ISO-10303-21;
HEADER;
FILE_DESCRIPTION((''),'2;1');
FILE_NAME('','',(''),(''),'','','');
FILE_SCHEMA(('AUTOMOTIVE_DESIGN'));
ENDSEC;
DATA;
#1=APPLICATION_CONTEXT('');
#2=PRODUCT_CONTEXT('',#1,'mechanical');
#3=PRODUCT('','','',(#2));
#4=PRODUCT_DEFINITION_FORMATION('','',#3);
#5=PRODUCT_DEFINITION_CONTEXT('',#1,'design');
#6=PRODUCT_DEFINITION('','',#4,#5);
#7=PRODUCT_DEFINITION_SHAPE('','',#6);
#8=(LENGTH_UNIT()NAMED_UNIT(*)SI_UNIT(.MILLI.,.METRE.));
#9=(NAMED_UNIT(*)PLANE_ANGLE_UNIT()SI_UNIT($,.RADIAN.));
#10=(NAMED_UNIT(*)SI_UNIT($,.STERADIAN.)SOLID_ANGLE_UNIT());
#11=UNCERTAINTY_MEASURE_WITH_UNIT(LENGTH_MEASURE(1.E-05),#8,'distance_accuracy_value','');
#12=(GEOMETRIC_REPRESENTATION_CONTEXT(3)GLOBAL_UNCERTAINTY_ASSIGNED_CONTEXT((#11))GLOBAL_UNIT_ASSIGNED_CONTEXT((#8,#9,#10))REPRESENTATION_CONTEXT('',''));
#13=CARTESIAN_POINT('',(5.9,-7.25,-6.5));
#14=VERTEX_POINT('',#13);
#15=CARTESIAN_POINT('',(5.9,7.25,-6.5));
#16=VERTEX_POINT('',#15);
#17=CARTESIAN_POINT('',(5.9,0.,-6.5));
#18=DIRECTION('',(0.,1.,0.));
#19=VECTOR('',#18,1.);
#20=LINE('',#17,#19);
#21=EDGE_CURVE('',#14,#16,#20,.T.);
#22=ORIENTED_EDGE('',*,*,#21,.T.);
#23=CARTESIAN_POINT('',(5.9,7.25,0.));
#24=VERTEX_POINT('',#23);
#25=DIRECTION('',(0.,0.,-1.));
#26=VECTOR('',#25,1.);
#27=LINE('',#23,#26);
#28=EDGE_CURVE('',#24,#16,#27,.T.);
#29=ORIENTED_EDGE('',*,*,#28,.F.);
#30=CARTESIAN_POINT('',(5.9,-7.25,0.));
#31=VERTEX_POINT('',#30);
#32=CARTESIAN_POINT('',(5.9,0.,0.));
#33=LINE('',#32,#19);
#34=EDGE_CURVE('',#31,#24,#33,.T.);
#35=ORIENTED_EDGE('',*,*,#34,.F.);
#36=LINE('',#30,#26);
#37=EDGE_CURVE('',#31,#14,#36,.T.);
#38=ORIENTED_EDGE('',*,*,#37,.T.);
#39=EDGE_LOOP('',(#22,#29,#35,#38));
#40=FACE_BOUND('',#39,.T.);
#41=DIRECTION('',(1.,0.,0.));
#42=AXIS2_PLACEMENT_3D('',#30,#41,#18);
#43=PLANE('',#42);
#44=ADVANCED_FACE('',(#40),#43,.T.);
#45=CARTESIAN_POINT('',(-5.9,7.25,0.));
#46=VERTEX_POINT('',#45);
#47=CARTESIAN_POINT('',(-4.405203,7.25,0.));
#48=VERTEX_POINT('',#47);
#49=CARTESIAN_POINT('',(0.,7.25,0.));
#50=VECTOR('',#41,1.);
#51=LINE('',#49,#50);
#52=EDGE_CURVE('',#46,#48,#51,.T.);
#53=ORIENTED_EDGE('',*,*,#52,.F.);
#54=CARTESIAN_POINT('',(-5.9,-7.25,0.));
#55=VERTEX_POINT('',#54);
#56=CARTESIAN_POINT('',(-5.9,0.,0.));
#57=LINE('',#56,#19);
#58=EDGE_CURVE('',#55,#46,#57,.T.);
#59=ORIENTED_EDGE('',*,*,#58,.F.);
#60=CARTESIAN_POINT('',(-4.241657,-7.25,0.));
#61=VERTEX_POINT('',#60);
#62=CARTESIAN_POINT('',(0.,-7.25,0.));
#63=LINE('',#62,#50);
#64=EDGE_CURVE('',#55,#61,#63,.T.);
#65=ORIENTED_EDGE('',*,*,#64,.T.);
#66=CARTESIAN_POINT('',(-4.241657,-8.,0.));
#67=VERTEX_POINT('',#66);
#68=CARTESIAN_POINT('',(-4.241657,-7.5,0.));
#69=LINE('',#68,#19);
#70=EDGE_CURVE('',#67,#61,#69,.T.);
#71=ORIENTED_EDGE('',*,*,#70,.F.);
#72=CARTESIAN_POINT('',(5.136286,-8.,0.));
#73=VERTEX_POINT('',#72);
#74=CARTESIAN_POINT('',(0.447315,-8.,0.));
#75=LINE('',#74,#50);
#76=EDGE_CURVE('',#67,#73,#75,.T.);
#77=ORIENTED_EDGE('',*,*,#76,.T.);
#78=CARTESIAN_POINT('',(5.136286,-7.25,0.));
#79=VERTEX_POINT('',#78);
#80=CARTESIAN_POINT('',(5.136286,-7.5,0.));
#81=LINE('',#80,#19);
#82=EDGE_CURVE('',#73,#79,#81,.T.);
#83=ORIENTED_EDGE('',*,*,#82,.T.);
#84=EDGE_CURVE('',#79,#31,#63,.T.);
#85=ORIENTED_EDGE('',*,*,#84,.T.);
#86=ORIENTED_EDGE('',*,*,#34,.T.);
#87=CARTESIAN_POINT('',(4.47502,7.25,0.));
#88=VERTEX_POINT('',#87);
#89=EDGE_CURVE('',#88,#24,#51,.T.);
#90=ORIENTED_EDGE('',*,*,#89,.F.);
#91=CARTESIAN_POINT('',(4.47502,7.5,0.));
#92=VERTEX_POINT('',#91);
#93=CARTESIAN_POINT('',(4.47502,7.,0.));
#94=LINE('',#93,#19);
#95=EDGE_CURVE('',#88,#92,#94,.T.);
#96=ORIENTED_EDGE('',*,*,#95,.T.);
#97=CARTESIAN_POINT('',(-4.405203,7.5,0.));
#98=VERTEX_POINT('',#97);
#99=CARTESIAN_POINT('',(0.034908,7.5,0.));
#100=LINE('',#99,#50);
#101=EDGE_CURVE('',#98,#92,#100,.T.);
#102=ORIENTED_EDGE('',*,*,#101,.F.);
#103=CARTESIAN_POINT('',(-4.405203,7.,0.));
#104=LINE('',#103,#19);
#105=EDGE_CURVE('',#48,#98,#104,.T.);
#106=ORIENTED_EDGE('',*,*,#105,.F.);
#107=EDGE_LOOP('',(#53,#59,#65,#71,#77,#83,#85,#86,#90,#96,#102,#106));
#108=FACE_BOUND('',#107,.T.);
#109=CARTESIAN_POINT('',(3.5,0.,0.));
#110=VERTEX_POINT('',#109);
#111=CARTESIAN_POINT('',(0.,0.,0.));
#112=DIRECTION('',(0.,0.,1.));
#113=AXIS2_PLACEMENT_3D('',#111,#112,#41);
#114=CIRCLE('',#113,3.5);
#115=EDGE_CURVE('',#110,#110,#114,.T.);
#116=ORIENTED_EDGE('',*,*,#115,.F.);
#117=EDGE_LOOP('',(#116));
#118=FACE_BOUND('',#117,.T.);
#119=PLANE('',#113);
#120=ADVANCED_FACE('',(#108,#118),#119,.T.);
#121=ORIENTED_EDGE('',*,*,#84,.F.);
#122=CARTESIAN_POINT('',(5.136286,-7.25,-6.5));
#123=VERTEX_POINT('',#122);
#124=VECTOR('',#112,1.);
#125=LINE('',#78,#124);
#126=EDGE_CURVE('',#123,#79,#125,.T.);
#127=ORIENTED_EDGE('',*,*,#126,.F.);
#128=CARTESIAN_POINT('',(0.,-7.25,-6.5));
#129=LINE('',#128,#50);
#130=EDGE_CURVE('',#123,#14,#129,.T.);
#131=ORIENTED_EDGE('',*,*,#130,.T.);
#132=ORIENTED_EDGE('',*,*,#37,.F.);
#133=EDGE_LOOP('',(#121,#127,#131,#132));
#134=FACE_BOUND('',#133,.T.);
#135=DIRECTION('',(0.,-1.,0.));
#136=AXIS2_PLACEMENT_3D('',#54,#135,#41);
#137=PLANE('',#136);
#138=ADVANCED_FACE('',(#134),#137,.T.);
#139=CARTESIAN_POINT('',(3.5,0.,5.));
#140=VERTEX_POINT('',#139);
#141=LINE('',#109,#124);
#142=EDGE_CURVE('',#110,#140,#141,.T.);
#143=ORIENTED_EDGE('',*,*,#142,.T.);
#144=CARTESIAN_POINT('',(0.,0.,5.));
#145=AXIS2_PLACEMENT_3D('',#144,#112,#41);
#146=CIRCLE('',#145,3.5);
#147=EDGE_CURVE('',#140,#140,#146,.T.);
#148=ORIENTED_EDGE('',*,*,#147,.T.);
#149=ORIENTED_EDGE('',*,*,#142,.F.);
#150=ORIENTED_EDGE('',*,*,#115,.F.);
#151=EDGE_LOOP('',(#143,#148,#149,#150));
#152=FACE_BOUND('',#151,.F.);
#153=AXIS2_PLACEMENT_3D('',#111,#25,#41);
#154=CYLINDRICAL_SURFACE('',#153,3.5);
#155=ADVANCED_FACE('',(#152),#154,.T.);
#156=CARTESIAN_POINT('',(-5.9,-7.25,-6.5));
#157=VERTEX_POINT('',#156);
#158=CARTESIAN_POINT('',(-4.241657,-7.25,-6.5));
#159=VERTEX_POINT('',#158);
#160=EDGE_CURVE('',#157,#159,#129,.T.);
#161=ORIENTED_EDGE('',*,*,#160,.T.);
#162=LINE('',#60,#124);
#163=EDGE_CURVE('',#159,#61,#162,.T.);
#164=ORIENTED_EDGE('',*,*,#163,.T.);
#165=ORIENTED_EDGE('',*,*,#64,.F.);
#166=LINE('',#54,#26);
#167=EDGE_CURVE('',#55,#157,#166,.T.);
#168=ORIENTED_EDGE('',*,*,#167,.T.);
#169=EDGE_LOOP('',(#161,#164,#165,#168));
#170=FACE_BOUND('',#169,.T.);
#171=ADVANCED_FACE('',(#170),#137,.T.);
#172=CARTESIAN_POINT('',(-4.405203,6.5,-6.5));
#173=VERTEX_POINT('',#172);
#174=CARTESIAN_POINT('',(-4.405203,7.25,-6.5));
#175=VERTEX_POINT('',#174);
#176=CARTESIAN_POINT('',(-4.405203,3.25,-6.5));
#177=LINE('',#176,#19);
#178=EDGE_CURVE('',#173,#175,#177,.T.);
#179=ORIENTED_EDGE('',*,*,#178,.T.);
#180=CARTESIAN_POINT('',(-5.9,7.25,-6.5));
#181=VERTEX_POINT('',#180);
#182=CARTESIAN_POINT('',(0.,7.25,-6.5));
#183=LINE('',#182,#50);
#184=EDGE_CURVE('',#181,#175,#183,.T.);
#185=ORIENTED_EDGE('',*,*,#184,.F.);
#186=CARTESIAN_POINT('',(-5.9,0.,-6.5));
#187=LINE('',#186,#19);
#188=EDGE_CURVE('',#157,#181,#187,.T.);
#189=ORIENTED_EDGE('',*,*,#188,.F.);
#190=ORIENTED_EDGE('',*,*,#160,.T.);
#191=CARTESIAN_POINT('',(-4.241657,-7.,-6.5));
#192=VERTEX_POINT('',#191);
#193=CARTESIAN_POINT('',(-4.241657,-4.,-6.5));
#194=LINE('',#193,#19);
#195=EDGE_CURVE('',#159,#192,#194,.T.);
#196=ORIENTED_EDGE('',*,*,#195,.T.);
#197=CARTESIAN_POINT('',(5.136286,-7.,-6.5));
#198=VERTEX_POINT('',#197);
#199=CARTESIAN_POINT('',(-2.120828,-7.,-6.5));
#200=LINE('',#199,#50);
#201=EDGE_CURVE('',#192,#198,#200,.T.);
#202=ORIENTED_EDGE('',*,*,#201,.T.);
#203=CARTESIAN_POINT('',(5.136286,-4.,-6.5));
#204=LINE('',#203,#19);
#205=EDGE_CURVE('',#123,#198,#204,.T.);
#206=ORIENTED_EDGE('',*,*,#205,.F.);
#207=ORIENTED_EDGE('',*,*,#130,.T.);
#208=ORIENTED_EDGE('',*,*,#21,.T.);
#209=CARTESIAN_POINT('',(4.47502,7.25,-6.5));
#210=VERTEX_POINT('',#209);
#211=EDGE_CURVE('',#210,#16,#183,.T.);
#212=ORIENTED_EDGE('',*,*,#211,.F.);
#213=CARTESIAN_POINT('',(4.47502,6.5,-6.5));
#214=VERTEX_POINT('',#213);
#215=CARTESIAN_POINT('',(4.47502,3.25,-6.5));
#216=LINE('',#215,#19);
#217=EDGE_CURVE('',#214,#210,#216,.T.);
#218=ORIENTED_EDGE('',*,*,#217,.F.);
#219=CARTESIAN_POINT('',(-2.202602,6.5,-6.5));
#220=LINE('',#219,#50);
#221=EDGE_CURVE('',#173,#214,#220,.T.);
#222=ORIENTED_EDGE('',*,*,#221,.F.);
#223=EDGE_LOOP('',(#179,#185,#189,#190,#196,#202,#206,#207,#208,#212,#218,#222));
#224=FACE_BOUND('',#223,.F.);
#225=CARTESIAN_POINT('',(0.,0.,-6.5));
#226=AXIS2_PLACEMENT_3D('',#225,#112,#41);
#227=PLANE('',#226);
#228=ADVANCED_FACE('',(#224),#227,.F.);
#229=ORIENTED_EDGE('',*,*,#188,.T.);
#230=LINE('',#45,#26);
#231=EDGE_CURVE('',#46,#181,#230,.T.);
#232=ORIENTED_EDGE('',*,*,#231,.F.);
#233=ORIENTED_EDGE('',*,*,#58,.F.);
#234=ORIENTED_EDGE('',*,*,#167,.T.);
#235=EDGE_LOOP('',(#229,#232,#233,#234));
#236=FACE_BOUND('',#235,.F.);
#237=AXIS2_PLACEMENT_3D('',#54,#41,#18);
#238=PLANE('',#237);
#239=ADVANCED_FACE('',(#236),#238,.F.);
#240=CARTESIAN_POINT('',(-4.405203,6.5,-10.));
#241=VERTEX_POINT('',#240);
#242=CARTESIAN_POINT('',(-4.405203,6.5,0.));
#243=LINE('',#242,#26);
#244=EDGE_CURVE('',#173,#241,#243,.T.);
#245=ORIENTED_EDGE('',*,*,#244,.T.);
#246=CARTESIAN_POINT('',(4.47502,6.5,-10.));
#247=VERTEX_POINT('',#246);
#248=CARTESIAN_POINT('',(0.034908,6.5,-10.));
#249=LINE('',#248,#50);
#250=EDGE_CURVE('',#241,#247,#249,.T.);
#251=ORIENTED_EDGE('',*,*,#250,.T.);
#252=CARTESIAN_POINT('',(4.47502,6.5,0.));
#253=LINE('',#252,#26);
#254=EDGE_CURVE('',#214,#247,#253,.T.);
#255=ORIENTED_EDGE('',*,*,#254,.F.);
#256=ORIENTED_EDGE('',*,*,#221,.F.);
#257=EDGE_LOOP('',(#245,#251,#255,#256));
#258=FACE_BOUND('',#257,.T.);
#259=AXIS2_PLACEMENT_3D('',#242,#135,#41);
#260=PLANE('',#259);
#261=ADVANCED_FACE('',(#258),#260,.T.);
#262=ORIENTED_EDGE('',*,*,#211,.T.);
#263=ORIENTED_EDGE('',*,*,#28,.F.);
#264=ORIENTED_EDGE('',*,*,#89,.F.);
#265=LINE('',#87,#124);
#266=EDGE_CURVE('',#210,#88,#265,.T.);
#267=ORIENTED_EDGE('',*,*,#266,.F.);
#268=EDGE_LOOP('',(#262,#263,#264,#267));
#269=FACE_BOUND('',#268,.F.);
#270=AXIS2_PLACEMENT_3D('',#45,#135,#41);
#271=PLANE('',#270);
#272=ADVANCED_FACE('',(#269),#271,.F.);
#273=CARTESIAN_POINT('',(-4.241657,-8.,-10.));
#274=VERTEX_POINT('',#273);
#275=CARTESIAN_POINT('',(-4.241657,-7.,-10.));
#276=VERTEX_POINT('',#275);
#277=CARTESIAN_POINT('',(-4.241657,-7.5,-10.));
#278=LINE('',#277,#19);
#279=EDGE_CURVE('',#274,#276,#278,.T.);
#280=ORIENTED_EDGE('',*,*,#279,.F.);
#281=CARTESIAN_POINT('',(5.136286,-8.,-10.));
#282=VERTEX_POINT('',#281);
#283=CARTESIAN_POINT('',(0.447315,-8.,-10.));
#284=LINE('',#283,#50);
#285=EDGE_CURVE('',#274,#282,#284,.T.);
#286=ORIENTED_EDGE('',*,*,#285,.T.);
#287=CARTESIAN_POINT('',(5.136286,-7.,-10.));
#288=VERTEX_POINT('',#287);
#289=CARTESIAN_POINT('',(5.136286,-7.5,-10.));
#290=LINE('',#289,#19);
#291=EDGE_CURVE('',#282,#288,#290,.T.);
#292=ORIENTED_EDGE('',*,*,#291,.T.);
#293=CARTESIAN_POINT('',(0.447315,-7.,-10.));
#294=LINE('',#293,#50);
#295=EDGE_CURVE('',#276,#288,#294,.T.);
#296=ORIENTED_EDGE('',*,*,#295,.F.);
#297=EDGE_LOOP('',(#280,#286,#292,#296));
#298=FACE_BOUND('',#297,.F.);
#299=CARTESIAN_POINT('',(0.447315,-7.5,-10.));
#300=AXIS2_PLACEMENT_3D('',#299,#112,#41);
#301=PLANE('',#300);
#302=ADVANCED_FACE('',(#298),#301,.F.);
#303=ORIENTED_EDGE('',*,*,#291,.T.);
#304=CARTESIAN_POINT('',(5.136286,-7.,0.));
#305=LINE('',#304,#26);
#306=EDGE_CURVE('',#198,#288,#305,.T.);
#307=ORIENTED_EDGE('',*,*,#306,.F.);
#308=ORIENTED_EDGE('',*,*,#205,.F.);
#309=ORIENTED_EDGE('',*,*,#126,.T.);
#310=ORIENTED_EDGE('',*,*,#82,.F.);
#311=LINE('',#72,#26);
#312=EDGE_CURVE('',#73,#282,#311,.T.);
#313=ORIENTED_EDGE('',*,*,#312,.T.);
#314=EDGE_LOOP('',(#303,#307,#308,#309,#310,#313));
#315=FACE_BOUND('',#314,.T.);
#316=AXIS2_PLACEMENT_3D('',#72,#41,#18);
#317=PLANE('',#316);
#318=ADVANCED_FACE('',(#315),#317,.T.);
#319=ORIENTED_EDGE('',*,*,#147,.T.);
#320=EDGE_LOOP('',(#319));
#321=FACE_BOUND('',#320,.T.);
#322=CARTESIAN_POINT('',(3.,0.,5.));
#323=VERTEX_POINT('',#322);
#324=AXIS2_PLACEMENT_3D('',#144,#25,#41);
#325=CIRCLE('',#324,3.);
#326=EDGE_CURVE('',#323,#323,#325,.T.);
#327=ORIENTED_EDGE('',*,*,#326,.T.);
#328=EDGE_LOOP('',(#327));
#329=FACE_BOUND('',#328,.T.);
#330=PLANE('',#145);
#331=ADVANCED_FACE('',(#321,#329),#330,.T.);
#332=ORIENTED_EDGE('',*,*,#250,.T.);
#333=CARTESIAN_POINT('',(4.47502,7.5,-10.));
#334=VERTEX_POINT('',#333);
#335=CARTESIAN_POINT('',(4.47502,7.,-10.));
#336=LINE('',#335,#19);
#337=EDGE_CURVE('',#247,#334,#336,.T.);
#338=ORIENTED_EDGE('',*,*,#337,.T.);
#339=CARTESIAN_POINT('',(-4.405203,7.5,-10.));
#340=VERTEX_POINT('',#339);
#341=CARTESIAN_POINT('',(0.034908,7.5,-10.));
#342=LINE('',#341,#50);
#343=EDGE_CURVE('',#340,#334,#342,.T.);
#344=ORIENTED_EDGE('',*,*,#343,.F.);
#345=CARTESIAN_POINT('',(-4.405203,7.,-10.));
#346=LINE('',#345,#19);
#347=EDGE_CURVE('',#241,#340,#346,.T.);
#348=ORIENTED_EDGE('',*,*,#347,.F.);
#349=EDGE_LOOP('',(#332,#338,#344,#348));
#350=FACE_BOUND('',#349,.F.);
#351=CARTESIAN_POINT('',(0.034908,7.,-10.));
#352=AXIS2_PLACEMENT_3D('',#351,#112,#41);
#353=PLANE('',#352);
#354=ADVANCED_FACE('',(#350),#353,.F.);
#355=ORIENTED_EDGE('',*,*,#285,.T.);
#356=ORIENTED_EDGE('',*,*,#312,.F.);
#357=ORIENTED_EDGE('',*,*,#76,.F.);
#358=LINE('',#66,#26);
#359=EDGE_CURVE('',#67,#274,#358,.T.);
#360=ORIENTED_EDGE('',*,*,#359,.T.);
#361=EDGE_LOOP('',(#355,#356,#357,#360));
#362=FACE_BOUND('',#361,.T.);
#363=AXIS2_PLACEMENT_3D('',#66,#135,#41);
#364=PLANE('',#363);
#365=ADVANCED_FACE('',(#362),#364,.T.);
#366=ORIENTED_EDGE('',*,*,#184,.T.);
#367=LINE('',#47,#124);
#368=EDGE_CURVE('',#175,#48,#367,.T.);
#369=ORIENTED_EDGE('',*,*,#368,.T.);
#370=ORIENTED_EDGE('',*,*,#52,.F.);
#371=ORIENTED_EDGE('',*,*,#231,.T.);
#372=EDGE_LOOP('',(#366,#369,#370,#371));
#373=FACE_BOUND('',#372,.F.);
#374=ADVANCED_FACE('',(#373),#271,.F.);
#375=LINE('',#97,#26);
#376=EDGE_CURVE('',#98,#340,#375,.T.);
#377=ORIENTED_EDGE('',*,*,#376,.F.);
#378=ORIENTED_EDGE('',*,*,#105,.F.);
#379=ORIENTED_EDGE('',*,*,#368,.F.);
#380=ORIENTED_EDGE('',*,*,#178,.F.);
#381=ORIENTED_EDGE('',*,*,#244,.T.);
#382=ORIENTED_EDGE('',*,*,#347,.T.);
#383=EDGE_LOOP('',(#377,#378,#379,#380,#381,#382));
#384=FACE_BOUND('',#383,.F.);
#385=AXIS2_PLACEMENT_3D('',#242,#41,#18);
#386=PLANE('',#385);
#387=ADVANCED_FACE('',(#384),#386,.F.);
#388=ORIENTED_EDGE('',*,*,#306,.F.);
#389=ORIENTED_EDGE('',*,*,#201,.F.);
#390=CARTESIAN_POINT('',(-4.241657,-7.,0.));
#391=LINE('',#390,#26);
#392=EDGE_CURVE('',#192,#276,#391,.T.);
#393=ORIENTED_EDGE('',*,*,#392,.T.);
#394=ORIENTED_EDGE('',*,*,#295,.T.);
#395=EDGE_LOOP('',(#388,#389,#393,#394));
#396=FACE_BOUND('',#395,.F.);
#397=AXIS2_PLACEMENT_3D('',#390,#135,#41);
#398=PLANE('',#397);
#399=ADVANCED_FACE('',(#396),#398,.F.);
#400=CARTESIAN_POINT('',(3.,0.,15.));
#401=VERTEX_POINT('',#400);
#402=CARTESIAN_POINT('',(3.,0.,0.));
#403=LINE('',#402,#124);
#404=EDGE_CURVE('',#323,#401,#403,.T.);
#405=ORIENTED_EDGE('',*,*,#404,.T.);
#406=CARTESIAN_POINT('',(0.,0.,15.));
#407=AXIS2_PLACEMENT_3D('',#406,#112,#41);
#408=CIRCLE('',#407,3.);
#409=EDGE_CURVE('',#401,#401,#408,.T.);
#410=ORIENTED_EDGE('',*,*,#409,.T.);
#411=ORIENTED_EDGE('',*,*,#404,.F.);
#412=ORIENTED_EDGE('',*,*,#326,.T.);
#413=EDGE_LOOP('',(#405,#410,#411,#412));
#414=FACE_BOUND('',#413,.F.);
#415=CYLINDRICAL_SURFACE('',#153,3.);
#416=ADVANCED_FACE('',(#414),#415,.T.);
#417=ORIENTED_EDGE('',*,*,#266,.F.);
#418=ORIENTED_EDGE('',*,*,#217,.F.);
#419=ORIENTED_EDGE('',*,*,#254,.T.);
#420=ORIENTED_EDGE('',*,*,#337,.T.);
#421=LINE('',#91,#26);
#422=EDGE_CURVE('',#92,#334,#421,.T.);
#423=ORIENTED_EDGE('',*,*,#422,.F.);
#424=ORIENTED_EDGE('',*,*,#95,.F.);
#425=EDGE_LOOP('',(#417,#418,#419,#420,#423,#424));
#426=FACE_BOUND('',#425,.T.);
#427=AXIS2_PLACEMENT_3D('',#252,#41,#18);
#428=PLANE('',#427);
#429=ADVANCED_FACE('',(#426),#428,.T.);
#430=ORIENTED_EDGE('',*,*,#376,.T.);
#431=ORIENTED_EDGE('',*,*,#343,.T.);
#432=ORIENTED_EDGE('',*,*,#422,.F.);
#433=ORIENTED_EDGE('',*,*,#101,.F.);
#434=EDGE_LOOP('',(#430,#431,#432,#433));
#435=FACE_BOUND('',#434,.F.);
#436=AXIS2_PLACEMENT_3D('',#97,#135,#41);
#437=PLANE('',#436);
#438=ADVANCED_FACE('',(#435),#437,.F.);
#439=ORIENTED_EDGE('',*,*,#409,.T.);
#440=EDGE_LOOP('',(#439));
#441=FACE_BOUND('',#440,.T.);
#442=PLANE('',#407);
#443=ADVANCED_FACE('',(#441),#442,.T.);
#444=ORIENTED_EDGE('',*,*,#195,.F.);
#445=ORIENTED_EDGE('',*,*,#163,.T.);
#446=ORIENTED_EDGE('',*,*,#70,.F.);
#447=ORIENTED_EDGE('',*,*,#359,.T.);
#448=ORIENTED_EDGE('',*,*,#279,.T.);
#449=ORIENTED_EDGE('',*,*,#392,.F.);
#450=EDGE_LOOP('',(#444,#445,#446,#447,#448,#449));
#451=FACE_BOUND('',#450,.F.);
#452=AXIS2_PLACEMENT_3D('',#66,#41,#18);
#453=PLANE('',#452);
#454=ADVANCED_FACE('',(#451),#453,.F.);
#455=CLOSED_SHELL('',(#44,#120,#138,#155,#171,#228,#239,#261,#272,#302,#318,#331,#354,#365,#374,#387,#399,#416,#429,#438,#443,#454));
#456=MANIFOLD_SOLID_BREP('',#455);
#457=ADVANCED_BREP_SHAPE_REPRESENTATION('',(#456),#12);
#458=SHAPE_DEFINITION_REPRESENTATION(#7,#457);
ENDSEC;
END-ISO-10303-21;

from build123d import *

# Parameters (mm, degrees)
SKETCH012_W   = 11.8
SKETCH012_H   = 14.5
PAD009_DEPTH  = 6.5
SKETCH013_R   = 3.5
PAD010_DEPTH  = 5
SKETCH014_R   = 3
PAD011_DEPTH  = 15
SKETCH015_W   = 8.880223
SKETCH015_H   = 1
SKETCH015_W_2 = 9.377943
PAD012_DEPTH  = 10


with BuildPart() as part:
    # Sketch012 → Pad009 (new body)
    with BuildSketch(Plane.XY):
        Rectangle(SKETCH012_W, SKETCH012_H)
    extrude(amount=-PAD009_DEPTH)

    # Sketch013 → Pad010 (join)
    with BuildSketch(Plane.XY):
        Circle(SKETCH013_R)
    extrude(amount=PAD010_DEPTH)

    # Sketch014 → Pad011 (join)
    with BuildSketch(Plane.XY):
        Circle(SKETCH014_R)
    extrude(amount=PAD011_DEPTH)

    # Sketch015 → Pad012 (join)
    with BuildSketch(Plane.XY):
        with Locations((0.034908, 7)):
            Rectangle(SKETCH015_W, SKETCH015_H)
        with Locations((0.447315, -7.5)):
            Rectangle(SKETCH015_W_2, SKETCH015_H)
    extrude(amount=-PAD012_DEPTH)


solid = part.part
